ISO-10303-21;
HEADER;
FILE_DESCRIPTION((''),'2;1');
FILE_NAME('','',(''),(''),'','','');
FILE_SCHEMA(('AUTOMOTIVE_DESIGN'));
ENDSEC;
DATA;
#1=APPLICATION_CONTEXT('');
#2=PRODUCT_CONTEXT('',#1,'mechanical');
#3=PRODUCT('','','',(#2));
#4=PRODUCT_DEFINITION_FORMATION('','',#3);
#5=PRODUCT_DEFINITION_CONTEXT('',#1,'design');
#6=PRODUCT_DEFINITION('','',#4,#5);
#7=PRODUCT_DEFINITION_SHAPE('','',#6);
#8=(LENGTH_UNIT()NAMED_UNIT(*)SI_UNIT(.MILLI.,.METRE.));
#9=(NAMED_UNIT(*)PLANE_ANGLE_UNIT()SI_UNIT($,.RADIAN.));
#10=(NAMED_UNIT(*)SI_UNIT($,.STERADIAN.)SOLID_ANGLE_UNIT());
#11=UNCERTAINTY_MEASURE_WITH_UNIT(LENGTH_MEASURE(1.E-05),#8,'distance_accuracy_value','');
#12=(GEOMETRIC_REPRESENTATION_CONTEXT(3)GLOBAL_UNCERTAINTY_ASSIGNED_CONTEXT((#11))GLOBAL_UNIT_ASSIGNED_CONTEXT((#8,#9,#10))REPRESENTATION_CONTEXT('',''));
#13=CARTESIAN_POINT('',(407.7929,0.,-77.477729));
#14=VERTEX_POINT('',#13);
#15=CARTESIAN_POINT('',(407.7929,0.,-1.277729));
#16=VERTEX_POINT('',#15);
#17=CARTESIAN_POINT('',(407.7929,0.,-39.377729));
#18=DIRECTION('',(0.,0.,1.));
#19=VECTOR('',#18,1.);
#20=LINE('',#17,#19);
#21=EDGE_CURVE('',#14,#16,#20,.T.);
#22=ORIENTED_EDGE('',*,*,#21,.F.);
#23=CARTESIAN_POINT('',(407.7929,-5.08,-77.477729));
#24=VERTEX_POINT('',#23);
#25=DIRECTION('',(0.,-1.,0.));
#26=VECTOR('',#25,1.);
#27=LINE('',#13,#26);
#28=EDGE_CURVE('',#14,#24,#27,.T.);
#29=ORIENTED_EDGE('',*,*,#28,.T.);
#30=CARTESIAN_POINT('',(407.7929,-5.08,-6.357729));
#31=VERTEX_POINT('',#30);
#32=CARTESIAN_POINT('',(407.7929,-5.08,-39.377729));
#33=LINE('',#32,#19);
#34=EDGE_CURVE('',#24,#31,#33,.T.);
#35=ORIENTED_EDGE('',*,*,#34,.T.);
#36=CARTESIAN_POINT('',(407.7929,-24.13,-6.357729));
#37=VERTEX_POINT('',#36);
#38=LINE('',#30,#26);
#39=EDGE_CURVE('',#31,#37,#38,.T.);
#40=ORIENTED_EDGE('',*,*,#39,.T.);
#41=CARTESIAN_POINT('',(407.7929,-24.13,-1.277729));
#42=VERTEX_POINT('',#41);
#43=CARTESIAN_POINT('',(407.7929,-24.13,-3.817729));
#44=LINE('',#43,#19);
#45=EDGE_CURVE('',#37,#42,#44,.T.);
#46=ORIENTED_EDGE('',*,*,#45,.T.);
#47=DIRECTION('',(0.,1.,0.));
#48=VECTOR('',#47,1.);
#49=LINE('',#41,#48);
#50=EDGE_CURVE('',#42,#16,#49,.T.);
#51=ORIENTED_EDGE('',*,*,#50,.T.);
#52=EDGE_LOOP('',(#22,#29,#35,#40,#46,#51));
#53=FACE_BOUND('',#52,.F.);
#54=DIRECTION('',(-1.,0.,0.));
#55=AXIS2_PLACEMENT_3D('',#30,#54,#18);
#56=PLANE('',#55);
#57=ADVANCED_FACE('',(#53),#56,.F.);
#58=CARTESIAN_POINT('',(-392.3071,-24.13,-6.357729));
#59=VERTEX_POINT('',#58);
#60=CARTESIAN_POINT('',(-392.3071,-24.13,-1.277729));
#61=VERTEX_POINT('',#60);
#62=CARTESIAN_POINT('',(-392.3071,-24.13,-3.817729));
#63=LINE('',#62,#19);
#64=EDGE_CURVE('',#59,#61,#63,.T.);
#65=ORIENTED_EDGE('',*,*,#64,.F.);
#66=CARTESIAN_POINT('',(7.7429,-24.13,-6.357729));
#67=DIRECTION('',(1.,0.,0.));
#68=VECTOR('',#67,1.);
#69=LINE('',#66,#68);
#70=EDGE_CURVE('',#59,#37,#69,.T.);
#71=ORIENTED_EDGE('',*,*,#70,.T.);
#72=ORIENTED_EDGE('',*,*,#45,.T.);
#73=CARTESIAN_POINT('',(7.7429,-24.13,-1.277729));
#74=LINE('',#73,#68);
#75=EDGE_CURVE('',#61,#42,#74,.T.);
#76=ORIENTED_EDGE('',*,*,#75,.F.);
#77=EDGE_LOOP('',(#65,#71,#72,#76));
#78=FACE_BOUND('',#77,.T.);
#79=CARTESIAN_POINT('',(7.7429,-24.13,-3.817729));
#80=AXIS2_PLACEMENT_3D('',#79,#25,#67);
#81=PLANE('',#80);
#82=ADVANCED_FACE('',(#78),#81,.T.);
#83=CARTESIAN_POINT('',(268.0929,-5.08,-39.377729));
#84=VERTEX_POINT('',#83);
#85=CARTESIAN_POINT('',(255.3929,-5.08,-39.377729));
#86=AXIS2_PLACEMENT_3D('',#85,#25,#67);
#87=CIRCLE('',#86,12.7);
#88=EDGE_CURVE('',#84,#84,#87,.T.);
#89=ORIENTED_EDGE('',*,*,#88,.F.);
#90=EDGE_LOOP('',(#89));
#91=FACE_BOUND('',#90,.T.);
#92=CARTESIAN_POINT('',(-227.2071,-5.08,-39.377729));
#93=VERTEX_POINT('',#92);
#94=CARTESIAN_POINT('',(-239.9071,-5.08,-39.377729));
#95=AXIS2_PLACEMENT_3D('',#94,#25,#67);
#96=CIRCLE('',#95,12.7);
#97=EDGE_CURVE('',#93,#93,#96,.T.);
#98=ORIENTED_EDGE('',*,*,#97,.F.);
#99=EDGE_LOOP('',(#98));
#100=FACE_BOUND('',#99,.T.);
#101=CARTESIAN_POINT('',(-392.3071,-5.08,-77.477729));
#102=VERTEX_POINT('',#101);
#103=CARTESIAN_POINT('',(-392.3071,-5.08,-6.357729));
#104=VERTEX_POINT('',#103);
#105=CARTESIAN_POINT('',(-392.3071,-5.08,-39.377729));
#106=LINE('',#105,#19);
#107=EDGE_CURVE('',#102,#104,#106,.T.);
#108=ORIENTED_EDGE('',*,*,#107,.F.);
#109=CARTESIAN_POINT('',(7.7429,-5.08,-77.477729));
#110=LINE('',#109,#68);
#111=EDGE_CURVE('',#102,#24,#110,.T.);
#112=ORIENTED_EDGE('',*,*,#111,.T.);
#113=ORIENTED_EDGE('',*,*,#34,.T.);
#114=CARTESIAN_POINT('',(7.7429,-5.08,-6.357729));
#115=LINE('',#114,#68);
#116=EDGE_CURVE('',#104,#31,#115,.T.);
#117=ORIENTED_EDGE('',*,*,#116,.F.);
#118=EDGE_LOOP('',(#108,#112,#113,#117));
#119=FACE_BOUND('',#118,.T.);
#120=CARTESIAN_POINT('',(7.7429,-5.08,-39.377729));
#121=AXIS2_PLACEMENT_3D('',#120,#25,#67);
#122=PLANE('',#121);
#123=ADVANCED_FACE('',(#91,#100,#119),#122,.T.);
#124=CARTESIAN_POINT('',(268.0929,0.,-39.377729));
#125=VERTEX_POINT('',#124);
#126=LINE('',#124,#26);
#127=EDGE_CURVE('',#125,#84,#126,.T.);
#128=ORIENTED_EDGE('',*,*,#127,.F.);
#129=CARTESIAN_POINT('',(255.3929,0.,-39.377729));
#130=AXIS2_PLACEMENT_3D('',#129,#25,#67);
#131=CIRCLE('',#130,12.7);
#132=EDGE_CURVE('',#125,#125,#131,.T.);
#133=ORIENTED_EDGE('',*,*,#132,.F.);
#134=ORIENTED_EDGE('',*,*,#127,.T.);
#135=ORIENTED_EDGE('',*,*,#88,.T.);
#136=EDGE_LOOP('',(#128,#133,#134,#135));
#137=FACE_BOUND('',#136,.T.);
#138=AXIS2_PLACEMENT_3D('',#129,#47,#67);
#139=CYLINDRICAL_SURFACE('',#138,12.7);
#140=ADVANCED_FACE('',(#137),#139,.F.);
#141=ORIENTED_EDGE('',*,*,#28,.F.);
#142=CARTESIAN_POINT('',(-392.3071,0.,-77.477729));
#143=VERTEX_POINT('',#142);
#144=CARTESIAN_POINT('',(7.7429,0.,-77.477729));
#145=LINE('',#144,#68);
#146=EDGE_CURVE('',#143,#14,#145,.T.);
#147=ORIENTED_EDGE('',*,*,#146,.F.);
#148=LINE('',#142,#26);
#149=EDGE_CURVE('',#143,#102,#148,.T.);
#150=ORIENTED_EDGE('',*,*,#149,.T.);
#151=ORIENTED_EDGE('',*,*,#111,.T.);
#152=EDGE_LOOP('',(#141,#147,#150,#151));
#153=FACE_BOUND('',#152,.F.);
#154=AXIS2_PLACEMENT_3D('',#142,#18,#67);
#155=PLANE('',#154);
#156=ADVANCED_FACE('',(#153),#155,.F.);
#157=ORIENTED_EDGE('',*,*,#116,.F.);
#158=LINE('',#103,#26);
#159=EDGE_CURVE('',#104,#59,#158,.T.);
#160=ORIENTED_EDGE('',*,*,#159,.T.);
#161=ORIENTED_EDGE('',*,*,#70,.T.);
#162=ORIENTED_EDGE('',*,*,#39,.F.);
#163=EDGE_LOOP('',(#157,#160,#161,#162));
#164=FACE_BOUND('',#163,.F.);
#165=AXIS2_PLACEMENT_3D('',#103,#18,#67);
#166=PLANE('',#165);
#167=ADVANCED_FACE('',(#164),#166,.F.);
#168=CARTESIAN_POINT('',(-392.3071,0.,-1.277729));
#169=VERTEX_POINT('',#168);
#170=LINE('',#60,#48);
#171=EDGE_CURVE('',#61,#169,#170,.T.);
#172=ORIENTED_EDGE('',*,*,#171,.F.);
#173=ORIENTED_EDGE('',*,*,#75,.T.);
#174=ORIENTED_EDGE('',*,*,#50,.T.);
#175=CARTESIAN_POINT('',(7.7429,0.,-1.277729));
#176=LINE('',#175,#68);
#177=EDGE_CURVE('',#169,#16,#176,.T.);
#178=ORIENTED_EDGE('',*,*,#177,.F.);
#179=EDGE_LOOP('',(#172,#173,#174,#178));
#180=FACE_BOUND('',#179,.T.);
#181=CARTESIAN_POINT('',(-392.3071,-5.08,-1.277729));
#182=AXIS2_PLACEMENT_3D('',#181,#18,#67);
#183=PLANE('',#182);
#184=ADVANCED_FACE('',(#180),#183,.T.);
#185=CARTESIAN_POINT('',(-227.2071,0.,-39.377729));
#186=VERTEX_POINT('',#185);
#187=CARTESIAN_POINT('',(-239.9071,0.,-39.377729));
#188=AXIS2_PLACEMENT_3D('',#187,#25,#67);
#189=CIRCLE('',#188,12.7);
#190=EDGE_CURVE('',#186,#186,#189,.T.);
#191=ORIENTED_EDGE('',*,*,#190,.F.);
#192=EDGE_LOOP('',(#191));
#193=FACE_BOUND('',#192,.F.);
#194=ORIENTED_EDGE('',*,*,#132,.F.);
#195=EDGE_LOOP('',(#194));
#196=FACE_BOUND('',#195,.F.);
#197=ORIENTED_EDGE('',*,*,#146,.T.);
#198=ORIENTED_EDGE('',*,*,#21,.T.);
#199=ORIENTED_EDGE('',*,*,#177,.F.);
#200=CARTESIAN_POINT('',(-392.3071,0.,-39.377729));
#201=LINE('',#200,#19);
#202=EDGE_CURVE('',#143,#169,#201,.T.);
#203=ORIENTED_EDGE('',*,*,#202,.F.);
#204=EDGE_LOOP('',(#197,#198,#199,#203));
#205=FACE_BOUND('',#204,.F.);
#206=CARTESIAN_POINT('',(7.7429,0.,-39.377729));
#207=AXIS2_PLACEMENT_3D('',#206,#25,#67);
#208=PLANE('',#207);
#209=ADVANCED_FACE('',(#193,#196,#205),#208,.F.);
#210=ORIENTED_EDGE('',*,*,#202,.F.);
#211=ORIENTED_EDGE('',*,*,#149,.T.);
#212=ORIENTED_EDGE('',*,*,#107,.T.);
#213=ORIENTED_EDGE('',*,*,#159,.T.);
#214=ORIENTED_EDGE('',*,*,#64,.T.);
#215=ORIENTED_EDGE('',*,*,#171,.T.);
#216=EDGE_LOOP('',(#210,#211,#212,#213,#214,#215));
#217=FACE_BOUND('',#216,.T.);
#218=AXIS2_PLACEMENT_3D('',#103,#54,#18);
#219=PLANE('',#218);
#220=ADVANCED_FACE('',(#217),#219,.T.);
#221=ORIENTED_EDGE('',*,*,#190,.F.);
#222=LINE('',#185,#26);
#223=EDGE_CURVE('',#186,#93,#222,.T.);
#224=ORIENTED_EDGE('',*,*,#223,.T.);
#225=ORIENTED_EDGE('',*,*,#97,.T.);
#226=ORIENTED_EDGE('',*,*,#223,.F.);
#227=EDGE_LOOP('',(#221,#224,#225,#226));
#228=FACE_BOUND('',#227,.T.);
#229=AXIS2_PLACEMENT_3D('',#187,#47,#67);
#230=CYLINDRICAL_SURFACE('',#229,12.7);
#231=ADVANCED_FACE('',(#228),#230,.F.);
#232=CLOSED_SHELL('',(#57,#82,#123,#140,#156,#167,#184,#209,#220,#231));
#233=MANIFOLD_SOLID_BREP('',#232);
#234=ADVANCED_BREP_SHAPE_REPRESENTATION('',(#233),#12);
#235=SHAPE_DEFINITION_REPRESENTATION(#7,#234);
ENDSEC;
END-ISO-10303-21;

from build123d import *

# Parameters (mm, degrees)
F0_W     = 800.1
F0_H     = 76.2
F0_R     = 12.7
F1_DEPTH = 5.08
F2_W     = 800.1
F2_H     = 5.08
F3_DEPTH = 19.05


with BuildPart() as f1:
    # F0 (on Front) → F1 (new body)
    with BuildSketch(Plane.XZ):
        with Locations((7.7429, -39.377729)):
            Rectangle(F0_W, F0_H)
        with Locations((255.3929, -39.377729)):
            Circle(F0_R, mode=Mode.SUBTRACT)
        with Locations((-239.9071, -39.377729)):
            Circle(F0_R, mode=Mode.SUBTRACT)
    extrude(amount=F1_DEPTH)

    # F2 (on face) → F3 (join)
    with BuildSketch(Plane.XZ.offset(5.08)):
        with Locations((7.7429, -3.817729)):
            Rectangle(F2_W, F2_H)
    extrude(amount=F3_DEPTH)


solid = f1.part
